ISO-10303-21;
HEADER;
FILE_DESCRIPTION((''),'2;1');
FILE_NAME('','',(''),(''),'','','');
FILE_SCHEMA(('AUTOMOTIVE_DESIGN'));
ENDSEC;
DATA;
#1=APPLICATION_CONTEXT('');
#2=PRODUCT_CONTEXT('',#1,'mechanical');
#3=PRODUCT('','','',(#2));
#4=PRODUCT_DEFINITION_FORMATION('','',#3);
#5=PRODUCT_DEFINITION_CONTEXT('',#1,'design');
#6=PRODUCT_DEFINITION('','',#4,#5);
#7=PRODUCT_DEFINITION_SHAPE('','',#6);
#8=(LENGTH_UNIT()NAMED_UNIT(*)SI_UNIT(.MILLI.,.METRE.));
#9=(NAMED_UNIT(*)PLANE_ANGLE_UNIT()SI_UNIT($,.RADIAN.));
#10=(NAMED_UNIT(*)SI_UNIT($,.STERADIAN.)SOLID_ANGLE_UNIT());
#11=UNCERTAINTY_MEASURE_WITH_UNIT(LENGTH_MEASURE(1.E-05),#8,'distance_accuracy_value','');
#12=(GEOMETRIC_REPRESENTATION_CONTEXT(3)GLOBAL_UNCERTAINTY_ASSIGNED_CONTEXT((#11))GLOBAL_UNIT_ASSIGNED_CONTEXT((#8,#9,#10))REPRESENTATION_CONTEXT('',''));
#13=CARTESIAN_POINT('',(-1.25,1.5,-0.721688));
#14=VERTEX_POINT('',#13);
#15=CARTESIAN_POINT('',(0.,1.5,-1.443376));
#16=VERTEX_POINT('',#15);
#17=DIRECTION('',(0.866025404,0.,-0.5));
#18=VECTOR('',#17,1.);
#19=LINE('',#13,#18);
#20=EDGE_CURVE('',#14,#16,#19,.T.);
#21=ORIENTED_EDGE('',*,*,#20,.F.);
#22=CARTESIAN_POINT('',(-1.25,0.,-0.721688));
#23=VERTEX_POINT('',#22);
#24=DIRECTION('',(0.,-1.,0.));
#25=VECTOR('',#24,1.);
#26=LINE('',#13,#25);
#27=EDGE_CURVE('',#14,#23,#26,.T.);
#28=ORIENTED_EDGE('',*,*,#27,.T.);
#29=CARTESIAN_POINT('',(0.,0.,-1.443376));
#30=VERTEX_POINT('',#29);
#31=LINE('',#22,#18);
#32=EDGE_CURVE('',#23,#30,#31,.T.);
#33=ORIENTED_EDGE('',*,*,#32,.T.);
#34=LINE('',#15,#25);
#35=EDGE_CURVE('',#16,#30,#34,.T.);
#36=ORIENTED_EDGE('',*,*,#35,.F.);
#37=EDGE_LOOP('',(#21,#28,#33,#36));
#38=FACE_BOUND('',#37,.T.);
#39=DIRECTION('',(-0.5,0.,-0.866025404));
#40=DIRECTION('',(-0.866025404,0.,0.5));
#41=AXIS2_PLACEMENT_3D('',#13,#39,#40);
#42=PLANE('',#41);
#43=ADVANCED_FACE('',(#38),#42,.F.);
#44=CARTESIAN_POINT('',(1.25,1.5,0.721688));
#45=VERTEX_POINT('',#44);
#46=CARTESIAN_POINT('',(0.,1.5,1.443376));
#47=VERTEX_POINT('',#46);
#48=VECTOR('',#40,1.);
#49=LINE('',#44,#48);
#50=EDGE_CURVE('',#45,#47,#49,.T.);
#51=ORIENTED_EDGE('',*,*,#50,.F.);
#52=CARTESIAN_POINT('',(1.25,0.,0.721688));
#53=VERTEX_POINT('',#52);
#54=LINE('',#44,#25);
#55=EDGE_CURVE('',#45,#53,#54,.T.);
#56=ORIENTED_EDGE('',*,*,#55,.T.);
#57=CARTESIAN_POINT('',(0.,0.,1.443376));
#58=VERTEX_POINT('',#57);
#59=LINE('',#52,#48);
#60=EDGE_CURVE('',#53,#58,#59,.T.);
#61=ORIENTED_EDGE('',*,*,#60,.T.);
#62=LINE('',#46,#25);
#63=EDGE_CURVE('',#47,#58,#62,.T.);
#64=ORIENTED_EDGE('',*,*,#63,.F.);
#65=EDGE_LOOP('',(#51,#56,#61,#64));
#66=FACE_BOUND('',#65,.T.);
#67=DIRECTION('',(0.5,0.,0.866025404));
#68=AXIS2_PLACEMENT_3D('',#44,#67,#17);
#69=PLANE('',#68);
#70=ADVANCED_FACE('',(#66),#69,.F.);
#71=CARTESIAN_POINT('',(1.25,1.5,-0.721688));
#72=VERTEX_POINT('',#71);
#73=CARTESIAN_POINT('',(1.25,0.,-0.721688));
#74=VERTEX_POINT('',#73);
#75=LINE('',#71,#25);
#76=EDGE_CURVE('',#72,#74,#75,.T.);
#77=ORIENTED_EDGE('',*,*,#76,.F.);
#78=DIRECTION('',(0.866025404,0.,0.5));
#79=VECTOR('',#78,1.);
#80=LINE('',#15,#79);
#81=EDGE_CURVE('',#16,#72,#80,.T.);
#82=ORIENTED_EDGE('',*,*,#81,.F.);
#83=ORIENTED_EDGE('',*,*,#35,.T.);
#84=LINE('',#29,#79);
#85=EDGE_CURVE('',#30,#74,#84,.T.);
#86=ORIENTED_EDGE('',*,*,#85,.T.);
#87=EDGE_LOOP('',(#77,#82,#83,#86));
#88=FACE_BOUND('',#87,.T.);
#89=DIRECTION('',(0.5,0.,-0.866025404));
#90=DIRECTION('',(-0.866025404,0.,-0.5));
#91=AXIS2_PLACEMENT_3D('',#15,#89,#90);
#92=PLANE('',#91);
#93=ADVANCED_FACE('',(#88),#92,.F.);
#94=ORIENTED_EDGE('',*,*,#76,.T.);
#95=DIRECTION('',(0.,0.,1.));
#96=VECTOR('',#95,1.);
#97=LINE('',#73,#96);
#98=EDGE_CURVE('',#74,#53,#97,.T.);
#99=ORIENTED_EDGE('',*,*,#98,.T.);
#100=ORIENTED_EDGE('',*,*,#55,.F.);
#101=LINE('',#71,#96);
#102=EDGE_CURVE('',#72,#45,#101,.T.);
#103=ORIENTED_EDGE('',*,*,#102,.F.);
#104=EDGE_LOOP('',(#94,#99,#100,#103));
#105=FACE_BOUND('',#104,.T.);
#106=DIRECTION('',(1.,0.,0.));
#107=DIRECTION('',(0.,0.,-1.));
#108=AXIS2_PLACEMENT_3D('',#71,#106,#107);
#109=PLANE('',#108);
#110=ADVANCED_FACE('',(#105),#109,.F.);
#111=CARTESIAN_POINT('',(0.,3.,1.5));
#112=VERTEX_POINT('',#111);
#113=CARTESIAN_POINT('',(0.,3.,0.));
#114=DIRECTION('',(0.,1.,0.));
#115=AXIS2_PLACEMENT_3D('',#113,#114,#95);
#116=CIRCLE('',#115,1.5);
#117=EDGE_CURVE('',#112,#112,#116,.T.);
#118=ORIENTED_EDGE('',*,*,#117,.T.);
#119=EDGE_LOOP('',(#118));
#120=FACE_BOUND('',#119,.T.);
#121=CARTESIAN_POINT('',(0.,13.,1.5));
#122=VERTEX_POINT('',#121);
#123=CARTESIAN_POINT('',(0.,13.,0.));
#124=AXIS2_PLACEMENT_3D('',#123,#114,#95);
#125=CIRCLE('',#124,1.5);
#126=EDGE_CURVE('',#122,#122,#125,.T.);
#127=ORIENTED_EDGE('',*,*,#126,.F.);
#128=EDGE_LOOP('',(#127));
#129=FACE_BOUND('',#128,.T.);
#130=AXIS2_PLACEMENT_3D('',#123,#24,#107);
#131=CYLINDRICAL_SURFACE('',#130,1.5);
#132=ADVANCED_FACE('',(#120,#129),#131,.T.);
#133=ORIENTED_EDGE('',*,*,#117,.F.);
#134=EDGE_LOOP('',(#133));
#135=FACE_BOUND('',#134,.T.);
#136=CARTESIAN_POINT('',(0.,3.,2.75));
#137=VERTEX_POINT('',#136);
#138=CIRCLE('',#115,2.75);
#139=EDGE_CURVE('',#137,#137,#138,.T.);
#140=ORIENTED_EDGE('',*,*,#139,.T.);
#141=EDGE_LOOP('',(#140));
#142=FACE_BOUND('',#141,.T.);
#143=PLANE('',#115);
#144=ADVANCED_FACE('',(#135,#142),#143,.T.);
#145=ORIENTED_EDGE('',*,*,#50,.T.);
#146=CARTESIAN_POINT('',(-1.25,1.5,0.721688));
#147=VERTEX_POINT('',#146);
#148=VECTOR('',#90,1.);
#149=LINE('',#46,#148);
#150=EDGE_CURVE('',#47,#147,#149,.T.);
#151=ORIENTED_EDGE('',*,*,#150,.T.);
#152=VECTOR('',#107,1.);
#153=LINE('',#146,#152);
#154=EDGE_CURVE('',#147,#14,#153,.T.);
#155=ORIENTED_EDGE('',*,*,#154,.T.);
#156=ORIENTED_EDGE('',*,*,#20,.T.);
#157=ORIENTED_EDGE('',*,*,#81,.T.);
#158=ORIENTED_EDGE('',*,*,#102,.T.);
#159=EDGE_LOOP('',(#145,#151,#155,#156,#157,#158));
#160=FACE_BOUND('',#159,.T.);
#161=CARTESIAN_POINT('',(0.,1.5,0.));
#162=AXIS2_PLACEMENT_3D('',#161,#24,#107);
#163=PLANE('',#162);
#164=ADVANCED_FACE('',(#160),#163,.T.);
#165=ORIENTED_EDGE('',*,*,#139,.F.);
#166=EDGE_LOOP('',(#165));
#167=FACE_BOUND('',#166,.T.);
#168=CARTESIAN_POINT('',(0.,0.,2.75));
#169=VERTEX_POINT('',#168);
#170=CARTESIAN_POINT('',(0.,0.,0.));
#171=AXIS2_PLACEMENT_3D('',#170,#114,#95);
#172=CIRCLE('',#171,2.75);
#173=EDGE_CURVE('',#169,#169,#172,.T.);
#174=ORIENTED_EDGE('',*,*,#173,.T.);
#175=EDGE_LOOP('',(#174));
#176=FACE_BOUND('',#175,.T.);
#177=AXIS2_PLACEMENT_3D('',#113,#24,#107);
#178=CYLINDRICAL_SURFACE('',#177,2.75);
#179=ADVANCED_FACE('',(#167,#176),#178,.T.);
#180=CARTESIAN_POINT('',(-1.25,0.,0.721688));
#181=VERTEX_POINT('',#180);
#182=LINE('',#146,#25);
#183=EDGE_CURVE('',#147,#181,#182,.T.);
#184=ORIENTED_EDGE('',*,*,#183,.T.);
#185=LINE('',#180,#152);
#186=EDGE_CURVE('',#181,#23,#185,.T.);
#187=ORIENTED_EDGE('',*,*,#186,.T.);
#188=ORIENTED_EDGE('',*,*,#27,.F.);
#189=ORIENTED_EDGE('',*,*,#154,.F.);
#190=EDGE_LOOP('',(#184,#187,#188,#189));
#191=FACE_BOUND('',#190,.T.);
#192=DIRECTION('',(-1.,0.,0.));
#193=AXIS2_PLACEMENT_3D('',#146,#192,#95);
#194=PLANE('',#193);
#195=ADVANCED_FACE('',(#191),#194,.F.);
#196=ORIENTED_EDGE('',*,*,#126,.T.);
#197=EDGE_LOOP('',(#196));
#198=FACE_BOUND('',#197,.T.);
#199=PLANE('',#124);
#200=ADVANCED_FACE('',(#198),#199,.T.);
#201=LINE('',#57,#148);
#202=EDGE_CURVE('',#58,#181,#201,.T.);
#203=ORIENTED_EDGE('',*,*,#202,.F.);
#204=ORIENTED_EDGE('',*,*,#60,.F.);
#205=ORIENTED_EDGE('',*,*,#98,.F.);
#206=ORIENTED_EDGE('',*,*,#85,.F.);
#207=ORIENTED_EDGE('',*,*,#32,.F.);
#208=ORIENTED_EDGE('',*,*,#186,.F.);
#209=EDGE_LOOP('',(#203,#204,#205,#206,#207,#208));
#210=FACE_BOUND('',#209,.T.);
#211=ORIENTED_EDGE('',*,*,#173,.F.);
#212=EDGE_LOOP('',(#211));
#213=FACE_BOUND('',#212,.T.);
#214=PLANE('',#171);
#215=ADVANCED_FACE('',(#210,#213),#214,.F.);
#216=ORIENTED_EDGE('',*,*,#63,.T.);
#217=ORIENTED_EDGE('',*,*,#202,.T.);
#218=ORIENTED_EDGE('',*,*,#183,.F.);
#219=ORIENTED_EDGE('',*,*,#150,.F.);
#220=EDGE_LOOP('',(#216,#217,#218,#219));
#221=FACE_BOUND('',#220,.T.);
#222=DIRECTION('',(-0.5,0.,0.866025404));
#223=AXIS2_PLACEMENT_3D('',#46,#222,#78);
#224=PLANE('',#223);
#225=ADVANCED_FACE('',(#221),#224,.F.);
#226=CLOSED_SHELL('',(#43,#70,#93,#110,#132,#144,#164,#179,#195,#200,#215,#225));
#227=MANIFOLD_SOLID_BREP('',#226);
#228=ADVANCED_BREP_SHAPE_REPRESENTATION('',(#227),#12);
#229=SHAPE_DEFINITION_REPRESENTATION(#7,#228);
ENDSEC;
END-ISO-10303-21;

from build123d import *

# Parameters (mm, degrees)
SKETCH1_R           = 2.75
BOSS_EXTRUDE1_DEPTH = 3
SKETCH2_R           = 1.5
BOSS_EXTRUDE2_DEPTH = 10
CUT_EXTRUDE1_DEPTH  = 1.5


with BuildPart() as part:
    # Sketch1 → Boss-Extrude1 (new body)
    with BuildSketch(Plane(origin=(0, 0, 0), x_dir=(1, 0, 0), z_dir=(0, 1, 0))):
        Circle(SKETCH1_R)
    extrude(amount=BOSS_EXTRUDE1_DEPTH)

    # Sketch2 → Boss-Extrude2 (add)
    with BuildSketch(Plane(origin=(0, 3, 0), x_dir=(1, 0, 0), z_dir=(0, 1, 0))):
        Circle(SKETCH2_R)
    extrude(amount=BOSS_EXTRUDE2_DEPTH)

    # Sketch3 → Cut-Extrude1 (cut)
    with BuildSketch(Plane(origin=(0, 0, 0), x_dir=(-1, 0, 0), z_dir=(0, -1, 0))):
        Polygon((0, -1.443375673), (1.25, -0.721687836), (1.25, 0.721687836), (0, 1.443375673), (-1.25, 0.721687836), (-1.25, -0.721687836), align=None)
    extrude(amount=-CUT_EXTRUDE1_DEPTH, mode=Mode.SUBTRACT)


solid = part.part
